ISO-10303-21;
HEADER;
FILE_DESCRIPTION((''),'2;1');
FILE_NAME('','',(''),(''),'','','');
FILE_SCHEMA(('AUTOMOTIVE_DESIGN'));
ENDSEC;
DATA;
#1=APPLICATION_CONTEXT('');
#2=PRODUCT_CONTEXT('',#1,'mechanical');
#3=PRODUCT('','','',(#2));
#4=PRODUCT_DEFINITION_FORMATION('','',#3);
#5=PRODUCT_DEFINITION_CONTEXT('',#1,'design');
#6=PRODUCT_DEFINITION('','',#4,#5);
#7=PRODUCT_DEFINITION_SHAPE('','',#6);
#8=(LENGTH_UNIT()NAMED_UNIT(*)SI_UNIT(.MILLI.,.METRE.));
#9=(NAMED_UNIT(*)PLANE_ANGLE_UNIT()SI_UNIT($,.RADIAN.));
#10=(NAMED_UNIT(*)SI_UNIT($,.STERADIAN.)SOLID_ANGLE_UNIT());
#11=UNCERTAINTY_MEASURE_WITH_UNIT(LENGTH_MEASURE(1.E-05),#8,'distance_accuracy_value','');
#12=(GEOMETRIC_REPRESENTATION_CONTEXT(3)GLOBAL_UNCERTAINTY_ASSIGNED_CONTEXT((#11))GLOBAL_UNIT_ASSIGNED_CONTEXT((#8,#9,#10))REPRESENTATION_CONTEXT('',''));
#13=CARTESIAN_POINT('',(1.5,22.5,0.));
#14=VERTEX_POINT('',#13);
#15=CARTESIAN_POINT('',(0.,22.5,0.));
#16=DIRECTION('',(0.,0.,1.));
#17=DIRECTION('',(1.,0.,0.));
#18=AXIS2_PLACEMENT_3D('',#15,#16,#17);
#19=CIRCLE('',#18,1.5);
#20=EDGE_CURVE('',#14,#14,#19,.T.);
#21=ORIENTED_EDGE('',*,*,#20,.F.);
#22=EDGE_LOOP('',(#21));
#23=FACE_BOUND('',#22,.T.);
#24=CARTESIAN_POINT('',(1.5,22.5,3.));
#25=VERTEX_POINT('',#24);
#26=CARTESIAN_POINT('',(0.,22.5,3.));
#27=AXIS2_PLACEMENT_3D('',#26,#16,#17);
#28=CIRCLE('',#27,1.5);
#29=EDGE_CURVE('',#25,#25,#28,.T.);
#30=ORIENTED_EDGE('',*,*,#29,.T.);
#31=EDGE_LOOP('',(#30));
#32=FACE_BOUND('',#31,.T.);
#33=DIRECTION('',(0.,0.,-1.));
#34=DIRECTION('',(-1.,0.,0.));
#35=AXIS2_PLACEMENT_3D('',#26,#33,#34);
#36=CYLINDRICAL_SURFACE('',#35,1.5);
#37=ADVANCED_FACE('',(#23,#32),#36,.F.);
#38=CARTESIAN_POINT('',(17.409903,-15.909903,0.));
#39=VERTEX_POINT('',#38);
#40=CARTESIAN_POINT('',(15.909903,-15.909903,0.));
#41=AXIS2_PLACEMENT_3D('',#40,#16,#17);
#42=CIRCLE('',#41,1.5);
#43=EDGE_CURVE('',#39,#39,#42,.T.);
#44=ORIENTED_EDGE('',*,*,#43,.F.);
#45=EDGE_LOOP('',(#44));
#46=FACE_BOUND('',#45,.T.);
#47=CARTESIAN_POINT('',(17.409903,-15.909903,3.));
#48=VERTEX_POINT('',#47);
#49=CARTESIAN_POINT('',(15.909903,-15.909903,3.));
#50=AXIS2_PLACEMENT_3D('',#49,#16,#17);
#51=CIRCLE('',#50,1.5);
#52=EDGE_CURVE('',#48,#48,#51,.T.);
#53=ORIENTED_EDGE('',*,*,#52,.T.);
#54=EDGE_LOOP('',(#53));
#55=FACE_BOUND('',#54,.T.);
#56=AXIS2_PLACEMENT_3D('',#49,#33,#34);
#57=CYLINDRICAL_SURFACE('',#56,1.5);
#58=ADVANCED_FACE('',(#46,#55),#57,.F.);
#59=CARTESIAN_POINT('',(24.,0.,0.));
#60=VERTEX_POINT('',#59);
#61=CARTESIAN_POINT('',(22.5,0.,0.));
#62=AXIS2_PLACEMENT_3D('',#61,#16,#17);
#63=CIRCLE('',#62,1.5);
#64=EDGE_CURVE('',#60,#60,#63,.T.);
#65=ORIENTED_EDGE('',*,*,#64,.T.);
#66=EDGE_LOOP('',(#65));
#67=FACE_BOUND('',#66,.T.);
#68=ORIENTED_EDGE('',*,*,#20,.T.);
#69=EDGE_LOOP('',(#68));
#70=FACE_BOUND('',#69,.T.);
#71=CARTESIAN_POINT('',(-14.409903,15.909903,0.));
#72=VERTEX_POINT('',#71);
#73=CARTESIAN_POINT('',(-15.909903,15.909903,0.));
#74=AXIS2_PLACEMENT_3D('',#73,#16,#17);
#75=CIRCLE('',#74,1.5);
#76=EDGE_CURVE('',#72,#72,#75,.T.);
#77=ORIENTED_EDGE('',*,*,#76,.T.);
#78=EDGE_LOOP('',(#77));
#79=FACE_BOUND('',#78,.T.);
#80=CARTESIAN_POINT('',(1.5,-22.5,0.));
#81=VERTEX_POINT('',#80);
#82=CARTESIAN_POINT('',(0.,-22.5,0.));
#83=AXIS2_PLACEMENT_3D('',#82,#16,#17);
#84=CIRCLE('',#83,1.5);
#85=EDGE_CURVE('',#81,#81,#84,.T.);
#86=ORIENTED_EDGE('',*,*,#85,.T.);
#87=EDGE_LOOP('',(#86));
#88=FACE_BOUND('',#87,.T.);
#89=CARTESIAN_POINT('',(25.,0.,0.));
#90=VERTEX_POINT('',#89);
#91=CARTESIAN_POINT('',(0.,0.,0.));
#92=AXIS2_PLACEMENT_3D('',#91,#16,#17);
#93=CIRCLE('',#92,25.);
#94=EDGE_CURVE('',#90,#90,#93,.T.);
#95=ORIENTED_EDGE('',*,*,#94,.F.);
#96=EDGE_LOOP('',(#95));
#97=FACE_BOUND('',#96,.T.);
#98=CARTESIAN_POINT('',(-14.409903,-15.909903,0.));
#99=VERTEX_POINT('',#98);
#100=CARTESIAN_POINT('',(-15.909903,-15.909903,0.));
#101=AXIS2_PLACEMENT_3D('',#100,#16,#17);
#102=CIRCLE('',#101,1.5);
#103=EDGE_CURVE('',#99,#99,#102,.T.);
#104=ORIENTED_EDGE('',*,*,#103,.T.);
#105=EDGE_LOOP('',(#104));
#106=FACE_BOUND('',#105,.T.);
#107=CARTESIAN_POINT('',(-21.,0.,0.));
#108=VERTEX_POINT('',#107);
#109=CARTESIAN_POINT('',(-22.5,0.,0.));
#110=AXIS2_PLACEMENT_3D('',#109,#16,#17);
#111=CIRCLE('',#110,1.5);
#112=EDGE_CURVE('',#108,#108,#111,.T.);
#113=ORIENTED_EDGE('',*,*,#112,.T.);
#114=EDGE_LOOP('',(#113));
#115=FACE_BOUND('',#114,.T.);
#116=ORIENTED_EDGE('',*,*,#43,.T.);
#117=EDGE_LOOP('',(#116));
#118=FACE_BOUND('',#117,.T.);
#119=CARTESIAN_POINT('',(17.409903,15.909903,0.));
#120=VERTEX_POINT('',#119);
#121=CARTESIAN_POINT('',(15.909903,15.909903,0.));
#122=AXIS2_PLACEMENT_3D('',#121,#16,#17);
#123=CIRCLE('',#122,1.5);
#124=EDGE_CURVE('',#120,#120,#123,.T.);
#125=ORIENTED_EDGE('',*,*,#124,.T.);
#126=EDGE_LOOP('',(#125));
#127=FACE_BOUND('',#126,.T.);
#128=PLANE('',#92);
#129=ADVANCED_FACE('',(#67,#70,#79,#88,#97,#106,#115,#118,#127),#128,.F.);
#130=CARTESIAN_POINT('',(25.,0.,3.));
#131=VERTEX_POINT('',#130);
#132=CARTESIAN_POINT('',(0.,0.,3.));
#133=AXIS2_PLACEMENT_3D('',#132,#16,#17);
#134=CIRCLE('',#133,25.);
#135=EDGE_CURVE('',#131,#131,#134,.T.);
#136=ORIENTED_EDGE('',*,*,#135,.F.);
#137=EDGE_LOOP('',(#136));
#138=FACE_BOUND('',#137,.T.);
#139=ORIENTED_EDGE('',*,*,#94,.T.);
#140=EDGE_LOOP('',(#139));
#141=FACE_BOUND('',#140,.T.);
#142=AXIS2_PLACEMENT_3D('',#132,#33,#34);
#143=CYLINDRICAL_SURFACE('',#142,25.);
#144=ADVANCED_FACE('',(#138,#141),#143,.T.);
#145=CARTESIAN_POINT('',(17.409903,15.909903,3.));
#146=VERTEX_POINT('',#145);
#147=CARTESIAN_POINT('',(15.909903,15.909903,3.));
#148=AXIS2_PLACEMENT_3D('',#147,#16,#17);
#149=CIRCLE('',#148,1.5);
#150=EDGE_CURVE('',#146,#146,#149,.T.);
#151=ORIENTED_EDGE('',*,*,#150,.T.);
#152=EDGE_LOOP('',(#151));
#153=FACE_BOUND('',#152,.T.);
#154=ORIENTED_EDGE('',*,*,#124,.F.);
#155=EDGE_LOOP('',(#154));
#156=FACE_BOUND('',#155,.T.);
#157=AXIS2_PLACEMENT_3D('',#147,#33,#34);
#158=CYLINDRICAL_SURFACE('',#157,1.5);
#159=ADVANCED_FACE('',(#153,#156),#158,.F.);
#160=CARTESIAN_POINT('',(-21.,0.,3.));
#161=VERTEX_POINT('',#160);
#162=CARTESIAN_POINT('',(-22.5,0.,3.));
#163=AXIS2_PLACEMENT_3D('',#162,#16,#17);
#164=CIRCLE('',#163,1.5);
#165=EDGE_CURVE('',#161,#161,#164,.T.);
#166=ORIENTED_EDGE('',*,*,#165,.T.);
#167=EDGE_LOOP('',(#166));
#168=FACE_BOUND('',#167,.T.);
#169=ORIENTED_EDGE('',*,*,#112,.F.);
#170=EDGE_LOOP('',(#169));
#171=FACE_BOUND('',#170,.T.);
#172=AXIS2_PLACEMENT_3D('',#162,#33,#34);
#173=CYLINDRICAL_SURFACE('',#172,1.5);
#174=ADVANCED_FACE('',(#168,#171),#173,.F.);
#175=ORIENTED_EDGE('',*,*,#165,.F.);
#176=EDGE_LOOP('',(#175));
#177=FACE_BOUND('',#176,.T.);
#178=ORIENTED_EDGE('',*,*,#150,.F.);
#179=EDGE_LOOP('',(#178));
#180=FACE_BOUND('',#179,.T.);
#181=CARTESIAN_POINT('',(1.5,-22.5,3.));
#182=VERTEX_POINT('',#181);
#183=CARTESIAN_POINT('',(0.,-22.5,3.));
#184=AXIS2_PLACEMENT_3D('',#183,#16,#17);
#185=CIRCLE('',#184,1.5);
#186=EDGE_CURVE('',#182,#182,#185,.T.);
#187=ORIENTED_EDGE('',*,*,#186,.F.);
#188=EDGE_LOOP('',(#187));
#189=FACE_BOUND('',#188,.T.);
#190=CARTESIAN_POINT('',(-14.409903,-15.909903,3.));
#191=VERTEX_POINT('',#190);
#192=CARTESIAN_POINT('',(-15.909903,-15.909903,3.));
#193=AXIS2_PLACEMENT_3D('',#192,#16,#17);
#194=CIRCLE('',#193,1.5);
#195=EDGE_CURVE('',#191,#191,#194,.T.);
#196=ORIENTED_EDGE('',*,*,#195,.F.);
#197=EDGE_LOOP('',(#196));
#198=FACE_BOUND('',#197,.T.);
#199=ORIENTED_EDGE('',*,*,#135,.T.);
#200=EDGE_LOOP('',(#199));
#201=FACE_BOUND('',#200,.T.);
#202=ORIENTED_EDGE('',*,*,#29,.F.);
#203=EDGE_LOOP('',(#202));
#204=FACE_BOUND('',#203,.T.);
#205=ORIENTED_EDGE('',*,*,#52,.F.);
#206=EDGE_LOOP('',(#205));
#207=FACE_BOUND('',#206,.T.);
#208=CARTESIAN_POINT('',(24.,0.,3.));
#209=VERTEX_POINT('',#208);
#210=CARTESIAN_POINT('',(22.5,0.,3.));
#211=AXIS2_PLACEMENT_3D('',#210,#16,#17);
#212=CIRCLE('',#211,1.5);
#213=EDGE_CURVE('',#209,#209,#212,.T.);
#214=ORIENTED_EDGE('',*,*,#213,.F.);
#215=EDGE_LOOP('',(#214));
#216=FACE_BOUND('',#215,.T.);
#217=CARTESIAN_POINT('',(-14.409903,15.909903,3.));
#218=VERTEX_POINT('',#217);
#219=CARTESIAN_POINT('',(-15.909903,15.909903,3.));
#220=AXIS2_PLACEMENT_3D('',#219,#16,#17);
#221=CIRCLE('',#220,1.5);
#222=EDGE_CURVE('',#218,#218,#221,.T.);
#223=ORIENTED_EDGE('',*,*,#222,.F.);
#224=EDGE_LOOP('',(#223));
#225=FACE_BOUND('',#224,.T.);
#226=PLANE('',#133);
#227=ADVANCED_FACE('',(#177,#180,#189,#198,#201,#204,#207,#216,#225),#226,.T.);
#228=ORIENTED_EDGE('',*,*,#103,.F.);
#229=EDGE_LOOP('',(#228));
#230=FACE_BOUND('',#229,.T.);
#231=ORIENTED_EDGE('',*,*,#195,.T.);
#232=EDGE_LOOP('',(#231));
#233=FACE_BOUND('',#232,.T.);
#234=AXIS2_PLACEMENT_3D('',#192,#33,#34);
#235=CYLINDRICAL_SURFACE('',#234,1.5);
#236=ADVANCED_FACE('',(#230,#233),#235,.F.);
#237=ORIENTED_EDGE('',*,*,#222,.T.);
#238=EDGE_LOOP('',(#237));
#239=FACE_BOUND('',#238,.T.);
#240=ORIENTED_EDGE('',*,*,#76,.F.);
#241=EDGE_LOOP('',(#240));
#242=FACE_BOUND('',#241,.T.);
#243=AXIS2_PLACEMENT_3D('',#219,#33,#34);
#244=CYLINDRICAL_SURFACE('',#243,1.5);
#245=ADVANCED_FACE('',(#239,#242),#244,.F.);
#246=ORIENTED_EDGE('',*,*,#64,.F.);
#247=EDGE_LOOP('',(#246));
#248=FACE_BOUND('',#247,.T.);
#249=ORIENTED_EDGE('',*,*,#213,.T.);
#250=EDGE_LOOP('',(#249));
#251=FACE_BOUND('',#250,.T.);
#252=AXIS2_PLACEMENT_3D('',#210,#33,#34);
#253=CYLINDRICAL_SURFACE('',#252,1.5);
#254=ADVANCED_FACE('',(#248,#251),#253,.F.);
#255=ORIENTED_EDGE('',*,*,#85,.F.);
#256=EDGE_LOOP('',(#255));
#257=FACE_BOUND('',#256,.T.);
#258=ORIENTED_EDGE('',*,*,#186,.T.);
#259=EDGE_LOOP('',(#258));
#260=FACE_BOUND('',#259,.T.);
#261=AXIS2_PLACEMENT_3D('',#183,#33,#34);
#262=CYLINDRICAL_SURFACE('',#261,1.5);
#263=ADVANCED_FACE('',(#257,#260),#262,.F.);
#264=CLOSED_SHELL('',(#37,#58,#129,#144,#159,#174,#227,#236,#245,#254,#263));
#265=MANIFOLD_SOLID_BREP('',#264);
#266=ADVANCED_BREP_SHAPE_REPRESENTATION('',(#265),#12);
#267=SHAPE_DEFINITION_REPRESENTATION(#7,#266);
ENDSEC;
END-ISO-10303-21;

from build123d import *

# Parameters (mm, degrees)
SKETCH1_R           = 25
SKETCH1_R_2         = 1.5
BOSS_EXTRUDE1_DEPTH = 3


with BuildPart() as part:
    # Sketch1 → Boss-Extrude1 (new body)
    with BuildSketch(Plane.XY):
        Circle(SKETCH1_R)
        with Locations((0, 22.5)):
            Circle(SKETCH1_R_2, mode=Mode.SUBTRACT)
        with Locations((15.909902577, 15.909902577)):
            Circle(SKETCH1_R_2, mode=Mode.SUBTRACT)
        with Locations((22.5, 0)):
            Circle(SKETCH1_R_2, mode=Mode.SUBTRACT)
        with Locations((15.909902577, -15.909902577)):
            Circle(SKETCH1_R_2, mode=Mode.SUBTRACT)
        with Locations((0, -22.5)):
            Circle(SKETCH1_R_2, mode=Mode.SUBTRACT)
        with Locations((-15.909902577, -15.909902577)):
            Circle(SKETCH1_R_2, mode=Mode.SUBTRACT)
        with Locations((-22.5, 0)):
            Circle(SKETCH1_R_2, mode=Mode.SUBTRACT)
        with Locations((-15.909902577, 15.909902577)):
            Circle(SKETCH1_R_2, mode=Mode.SUBTRACT)
    extrude(amount=BOSS_EXTRUDE1_DEPTH)


solid = part.part
